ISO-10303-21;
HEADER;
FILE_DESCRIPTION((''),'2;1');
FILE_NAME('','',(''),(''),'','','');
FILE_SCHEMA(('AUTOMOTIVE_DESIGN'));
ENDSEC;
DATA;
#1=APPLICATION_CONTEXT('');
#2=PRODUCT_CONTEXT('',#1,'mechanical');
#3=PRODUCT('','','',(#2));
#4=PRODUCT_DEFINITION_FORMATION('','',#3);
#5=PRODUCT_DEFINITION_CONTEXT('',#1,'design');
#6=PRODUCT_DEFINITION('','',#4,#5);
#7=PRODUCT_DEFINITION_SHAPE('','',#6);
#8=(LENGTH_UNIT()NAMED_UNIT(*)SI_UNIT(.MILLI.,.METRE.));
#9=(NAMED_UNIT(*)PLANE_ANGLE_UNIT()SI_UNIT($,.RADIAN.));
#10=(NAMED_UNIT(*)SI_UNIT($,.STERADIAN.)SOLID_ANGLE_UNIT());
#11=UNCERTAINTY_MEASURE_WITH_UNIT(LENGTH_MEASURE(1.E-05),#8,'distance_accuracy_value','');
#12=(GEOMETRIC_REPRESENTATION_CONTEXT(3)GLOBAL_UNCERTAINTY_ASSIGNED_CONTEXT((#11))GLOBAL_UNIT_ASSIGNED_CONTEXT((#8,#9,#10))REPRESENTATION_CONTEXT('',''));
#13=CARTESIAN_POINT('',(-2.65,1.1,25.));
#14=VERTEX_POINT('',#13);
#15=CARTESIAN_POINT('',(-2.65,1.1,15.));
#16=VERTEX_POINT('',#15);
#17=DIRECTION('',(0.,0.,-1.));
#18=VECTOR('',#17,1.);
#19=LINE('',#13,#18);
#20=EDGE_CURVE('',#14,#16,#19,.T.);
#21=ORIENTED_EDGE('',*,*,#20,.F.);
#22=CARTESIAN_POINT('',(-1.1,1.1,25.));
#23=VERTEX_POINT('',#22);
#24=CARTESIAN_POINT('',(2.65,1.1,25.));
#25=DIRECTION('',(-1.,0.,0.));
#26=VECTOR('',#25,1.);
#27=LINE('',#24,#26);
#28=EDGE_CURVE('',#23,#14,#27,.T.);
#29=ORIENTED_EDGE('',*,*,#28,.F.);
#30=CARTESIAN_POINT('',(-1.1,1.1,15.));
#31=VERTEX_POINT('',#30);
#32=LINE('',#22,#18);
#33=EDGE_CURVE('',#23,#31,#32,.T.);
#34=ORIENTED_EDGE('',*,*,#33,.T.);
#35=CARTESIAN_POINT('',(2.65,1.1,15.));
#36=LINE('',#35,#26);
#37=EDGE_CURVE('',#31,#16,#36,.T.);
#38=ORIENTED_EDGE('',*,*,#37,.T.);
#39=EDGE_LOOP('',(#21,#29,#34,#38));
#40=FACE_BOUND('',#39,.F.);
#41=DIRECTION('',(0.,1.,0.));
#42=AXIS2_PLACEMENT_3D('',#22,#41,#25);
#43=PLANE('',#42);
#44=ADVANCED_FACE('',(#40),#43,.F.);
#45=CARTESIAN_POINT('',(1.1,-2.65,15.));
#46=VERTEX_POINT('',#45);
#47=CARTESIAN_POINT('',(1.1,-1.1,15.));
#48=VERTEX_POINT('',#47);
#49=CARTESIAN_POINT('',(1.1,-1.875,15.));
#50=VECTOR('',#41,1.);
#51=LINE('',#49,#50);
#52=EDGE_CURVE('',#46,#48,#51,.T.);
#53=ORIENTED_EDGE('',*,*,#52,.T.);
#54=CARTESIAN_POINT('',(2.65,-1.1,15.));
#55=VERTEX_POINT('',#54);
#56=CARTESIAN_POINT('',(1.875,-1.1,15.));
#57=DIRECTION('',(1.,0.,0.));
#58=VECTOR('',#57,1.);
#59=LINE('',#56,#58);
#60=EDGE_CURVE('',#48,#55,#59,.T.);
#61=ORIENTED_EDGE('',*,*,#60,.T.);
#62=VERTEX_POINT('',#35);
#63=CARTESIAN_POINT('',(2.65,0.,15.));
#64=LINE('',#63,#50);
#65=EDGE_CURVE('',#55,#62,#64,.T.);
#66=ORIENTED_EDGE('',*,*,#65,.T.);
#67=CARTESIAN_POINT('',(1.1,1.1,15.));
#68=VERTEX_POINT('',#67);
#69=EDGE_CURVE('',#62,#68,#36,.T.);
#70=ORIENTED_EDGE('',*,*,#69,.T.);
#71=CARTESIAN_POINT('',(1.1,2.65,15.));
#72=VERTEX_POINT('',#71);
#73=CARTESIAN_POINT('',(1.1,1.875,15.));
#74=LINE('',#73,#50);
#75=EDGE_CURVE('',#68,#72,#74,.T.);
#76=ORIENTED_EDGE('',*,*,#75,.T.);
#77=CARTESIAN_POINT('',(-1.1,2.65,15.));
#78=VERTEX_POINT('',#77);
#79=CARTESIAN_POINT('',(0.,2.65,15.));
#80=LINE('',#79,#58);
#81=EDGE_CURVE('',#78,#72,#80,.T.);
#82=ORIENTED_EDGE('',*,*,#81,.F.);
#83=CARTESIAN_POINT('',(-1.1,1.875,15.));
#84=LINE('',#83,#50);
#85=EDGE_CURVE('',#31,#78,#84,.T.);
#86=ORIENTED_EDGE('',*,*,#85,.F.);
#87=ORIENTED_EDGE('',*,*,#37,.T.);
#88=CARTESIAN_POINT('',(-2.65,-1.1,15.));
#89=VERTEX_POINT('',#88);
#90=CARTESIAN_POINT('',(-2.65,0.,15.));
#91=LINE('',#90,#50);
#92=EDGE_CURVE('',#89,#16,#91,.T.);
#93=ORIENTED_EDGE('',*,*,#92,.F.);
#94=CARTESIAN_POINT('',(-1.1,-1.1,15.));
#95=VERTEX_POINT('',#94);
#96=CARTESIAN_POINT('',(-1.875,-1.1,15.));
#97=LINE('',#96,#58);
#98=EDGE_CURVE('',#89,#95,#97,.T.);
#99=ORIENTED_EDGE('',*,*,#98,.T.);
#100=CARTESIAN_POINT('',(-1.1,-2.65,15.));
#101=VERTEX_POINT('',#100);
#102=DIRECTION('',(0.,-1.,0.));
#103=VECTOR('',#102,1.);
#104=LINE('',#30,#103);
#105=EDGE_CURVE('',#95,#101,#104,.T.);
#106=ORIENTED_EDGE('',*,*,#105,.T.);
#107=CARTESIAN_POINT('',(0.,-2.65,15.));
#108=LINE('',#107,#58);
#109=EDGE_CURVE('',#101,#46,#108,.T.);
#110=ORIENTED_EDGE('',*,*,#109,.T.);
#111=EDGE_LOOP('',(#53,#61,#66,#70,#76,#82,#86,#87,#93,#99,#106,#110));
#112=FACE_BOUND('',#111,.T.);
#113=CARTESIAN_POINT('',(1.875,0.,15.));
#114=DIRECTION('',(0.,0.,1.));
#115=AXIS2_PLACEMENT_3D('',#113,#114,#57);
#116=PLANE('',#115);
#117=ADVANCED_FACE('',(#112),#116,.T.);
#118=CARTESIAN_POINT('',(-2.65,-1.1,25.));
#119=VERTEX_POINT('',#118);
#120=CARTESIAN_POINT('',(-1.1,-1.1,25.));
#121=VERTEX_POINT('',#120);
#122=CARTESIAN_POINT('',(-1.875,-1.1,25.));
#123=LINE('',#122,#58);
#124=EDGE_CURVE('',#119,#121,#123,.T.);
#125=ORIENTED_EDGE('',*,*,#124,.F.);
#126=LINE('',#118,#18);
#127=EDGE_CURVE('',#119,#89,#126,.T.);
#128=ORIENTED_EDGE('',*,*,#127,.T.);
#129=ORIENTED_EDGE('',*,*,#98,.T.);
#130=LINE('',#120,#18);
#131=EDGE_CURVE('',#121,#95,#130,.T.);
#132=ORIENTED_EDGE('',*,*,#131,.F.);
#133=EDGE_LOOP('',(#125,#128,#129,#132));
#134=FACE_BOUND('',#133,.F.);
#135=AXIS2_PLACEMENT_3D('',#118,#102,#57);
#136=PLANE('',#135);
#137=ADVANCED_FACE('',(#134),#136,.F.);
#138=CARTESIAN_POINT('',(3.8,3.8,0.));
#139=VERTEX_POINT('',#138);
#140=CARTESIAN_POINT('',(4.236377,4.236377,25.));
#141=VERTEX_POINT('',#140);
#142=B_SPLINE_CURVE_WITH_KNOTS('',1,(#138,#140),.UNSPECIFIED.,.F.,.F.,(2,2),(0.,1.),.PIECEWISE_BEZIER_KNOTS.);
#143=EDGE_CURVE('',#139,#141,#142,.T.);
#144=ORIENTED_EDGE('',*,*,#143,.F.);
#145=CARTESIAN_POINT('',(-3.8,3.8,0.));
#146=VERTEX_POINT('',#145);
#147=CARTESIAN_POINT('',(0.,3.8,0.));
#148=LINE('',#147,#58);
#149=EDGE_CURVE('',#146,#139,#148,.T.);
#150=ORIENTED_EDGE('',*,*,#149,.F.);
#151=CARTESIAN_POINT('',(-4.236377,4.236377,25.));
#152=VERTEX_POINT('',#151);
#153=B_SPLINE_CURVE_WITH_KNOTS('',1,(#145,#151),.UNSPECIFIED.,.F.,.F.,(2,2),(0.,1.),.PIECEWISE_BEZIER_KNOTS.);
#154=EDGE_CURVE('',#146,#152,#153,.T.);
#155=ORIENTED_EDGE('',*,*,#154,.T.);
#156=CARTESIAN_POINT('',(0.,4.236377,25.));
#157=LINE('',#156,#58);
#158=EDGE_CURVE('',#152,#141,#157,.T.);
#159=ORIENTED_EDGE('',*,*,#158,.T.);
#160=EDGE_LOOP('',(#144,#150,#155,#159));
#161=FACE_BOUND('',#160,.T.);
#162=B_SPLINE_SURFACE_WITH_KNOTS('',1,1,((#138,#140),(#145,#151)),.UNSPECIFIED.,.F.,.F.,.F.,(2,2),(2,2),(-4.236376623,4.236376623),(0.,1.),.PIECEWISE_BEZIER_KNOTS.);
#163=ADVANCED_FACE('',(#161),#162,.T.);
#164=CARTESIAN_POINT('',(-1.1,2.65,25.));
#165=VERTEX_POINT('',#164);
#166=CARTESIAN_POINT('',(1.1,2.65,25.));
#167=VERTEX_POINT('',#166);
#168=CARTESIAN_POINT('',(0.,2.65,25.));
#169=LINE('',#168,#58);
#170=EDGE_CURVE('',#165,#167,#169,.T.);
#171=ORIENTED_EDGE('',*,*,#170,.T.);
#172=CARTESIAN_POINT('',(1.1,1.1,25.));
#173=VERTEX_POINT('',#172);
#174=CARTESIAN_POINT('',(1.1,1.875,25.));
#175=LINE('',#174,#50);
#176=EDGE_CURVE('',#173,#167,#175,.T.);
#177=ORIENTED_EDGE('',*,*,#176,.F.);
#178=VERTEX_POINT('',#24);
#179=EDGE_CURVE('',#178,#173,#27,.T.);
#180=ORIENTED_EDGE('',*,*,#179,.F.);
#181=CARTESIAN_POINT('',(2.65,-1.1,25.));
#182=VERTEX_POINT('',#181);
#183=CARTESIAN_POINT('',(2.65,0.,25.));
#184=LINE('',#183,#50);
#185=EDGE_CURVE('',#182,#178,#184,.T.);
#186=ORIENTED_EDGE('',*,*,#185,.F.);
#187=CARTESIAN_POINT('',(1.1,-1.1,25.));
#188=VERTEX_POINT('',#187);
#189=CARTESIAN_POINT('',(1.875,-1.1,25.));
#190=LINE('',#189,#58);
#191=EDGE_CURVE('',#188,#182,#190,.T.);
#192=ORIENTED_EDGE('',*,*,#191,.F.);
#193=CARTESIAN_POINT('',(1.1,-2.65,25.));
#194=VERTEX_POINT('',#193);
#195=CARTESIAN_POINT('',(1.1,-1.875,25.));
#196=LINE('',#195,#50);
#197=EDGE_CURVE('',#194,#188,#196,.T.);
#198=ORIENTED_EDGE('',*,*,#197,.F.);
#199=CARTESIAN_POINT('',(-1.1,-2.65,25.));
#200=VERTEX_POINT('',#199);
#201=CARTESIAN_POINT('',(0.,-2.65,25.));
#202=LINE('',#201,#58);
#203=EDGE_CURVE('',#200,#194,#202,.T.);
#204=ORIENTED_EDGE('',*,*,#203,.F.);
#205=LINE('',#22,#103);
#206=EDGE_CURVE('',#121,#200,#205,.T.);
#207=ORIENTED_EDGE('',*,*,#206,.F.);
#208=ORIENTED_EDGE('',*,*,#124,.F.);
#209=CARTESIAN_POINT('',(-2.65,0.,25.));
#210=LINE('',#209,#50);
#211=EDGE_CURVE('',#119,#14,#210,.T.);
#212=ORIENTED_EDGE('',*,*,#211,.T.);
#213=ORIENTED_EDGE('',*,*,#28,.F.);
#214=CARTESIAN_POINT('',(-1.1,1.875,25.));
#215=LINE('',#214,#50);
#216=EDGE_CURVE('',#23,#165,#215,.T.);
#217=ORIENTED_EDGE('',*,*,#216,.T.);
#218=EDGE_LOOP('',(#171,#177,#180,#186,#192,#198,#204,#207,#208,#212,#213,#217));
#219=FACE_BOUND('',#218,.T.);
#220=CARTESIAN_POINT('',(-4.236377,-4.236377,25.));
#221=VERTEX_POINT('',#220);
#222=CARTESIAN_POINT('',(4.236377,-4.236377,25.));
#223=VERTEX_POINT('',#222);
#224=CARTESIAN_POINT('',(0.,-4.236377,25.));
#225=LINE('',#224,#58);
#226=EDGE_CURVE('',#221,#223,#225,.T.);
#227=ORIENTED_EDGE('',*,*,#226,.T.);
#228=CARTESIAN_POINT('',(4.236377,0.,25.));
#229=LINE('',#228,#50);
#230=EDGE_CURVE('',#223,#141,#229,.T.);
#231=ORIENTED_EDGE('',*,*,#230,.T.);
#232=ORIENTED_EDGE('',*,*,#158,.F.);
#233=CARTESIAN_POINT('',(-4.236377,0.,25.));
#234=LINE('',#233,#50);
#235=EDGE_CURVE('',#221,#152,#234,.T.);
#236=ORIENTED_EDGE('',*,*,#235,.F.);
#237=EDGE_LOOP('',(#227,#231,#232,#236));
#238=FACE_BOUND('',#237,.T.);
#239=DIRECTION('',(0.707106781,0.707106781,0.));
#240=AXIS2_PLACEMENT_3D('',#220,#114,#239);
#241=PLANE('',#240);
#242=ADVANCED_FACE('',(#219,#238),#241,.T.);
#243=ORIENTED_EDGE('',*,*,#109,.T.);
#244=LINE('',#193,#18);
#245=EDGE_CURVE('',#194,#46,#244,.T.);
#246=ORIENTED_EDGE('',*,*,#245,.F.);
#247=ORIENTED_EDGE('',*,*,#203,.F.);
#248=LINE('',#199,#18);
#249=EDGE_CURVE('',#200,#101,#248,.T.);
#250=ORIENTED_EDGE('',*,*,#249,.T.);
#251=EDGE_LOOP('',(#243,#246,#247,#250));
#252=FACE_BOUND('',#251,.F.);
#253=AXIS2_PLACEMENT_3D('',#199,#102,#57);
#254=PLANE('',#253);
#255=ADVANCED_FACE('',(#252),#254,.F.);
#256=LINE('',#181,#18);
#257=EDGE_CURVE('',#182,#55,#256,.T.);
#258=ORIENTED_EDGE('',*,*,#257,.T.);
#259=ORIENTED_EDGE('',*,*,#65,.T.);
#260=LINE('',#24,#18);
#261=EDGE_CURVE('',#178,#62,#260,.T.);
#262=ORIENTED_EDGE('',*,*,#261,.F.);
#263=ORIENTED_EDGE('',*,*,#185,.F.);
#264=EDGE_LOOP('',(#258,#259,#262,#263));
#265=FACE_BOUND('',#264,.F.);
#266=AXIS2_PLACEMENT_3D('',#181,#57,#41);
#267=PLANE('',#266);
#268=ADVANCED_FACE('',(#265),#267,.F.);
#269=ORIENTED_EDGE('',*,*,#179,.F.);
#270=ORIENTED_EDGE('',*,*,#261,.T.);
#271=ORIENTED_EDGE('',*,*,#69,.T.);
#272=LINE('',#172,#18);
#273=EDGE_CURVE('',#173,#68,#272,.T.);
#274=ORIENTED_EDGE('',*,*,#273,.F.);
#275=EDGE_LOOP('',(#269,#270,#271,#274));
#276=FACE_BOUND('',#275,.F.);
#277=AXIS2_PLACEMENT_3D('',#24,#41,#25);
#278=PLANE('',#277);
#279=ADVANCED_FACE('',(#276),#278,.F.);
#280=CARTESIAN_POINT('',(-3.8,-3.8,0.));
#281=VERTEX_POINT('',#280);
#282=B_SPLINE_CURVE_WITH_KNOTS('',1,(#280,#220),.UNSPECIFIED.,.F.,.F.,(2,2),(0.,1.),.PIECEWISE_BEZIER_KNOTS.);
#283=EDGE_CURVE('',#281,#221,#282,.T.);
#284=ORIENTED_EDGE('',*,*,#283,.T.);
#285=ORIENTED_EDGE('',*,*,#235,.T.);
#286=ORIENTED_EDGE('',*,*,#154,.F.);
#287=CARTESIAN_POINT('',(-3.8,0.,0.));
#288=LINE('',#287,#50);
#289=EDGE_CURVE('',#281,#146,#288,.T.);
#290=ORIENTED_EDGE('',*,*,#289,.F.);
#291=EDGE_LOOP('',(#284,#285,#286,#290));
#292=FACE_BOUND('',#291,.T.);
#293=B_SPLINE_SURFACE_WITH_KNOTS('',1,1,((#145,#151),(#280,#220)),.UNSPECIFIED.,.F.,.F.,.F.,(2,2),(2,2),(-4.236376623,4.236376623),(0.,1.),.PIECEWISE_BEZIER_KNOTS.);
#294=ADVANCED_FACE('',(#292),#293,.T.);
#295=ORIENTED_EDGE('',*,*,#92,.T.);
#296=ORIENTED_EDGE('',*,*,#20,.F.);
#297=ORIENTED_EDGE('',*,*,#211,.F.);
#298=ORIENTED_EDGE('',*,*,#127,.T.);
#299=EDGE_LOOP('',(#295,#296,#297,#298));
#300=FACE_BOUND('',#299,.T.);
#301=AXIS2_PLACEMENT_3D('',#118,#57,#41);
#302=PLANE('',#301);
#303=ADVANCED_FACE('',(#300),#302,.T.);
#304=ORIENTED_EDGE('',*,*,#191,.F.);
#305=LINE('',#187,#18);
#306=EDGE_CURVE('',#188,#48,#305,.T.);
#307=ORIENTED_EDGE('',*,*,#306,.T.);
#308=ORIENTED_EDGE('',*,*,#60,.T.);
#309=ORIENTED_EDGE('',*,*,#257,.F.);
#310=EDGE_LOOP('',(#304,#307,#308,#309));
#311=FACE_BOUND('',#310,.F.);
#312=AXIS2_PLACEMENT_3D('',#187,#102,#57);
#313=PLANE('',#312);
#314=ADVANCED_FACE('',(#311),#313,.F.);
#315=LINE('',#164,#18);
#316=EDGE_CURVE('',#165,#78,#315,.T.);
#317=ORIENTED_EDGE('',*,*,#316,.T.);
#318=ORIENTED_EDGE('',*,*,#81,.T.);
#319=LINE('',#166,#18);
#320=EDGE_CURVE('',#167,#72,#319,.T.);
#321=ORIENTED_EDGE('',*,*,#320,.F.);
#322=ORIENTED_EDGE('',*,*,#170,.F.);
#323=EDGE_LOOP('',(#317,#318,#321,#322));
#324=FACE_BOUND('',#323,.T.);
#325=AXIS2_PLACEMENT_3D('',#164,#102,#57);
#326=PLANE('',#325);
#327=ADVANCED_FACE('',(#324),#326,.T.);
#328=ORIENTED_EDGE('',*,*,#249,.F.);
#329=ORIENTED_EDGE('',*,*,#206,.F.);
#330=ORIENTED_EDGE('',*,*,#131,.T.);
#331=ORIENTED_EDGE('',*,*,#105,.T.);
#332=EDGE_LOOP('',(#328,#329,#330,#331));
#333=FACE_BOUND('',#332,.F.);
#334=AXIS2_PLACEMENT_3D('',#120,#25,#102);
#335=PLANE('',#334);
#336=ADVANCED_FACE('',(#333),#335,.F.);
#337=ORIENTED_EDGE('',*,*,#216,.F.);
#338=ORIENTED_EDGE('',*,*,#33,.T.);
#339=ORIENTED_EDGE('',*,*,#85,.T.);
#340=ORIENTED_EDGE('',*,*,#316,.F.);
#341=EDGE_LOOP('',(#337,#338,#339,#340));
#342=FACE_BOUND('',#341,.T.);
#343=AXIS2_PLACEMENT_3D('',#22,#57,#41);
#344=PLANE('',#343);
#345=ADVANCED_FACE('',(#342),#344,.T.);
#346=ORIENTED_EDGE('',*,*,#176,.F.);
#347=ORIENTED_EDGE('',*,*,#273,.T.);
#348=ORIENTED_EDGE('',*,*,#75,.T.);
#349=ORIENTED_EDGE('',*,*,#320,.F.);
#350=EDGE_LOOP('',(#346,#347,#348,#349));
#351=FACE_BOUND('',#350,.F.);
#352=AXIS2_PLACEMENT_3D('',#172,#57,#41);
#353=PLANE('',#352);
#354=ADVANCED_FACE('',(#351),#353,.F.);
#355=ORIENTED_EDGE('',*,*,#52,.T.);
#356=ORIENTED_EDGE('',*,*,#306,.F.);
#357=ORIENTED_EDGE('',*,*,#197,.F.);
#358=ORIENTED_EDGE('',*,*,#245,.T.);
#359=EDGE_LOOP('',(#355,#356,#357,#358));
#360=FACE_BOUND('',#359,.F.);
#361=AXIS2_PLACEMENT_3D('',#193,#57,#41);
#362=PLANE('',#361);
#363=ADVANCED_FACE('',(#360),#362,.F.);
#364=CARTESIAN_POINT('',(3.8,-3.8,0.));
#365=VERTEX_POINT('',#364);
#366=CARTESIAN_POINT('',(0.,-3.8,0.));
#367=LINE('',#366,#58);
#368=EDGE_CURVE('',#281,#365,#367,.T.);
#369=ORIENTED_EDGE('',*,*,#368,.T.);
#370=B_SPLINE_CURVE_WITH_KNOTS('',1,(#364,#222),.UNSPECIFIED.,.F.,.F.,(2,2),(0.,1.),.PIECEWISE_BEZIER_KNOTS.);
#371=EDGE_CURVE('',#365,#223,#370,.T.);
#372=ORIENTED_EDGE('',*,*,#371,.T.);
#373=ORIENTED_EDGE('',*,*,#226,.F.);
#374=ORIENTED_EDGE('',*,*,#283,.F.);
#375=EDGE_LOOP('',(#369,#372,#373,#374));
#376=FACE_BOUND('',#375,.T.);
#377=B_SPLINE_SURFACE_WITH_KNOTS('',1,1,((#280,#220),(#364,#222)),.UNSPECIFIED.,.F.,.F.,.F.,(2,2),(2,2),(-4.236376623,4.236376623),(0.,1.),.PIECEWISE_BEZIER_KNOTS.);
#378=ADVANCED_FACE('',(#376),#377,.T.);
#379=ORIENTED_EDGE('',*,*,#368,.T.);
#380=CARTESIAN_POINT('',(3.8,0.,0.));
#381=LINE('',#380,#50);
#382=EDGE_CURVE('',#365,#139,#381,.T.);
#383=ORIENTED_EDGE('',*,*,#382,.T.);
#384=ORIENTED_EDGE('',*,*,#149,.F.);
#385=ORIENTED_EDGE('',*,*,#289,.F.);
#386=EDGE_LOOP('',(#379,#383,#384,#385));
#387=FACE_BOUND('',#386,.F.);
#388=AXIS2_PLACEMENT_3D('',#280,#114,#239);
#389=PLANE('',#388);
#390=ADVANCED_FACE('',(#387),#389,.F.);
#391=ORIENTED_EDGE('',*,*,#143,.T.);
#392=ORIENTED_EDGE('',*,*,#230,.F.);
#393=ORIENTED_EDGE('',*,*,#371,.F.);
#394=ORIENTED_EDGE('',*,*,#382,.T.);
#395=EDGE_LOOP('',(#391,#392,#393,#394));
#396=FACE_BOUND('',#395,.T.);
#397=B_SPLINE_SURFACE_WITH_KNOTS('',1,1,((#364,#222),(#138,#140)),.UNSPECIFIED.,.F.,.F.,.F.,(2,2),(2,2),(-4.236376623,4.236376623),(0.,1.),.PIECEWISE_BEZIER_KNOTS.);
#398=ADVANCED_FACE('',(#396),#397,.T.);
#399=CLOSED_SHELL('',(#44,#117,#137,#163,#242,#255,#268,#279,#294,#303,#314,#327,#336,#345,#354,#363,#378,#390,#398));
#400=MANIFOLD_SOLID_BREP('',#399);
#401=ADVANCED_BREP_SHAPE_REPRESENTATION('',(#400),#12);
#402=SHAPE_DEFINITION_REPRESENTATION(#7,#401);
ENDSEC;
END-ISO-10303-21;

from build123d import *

# Parameters (mm, degrees)
F0_W     = 7.6
F0_H     = 7.6
F1_DEPTH = 25
F1_TAPER = -1
F2_W     = 1.55
F2_H     = 2.2
F2_W_2   = 2.2
F2_H_2   = 1.55
F3_DEPTH = 10


with BuildPart() as f1:
    # F0 (on Top) → F1 (new body)
    with BuildSketch(Plane.XY):
        Rectangle(F0_W, F0_H)
    extrude(amount=F1_DEPTH, taper=F1_TAPER)

    # F2 (on face) → F3 (cut)
    with BuildSketch(Plane.XY.offset(25)):
        with Locations((1.875, 0)):
            Rectangle(F2_W, F2_H)
        with Locations((0, -1.875)):
            Rectangle(F2_W_2, F2_H_2)
        Rectangle(F2_W_2, F2_H)
        with Locations((-1.875, 0)):
            Rectangle(F2_W, F2_H)
        with Locations((0, 1.875)):
            Rectangle(F2_W_2, F2_H_2)
    extrude(amount=-F3_DEPTH, mode=Mode.SUBTRACT)


solid = f1.part
